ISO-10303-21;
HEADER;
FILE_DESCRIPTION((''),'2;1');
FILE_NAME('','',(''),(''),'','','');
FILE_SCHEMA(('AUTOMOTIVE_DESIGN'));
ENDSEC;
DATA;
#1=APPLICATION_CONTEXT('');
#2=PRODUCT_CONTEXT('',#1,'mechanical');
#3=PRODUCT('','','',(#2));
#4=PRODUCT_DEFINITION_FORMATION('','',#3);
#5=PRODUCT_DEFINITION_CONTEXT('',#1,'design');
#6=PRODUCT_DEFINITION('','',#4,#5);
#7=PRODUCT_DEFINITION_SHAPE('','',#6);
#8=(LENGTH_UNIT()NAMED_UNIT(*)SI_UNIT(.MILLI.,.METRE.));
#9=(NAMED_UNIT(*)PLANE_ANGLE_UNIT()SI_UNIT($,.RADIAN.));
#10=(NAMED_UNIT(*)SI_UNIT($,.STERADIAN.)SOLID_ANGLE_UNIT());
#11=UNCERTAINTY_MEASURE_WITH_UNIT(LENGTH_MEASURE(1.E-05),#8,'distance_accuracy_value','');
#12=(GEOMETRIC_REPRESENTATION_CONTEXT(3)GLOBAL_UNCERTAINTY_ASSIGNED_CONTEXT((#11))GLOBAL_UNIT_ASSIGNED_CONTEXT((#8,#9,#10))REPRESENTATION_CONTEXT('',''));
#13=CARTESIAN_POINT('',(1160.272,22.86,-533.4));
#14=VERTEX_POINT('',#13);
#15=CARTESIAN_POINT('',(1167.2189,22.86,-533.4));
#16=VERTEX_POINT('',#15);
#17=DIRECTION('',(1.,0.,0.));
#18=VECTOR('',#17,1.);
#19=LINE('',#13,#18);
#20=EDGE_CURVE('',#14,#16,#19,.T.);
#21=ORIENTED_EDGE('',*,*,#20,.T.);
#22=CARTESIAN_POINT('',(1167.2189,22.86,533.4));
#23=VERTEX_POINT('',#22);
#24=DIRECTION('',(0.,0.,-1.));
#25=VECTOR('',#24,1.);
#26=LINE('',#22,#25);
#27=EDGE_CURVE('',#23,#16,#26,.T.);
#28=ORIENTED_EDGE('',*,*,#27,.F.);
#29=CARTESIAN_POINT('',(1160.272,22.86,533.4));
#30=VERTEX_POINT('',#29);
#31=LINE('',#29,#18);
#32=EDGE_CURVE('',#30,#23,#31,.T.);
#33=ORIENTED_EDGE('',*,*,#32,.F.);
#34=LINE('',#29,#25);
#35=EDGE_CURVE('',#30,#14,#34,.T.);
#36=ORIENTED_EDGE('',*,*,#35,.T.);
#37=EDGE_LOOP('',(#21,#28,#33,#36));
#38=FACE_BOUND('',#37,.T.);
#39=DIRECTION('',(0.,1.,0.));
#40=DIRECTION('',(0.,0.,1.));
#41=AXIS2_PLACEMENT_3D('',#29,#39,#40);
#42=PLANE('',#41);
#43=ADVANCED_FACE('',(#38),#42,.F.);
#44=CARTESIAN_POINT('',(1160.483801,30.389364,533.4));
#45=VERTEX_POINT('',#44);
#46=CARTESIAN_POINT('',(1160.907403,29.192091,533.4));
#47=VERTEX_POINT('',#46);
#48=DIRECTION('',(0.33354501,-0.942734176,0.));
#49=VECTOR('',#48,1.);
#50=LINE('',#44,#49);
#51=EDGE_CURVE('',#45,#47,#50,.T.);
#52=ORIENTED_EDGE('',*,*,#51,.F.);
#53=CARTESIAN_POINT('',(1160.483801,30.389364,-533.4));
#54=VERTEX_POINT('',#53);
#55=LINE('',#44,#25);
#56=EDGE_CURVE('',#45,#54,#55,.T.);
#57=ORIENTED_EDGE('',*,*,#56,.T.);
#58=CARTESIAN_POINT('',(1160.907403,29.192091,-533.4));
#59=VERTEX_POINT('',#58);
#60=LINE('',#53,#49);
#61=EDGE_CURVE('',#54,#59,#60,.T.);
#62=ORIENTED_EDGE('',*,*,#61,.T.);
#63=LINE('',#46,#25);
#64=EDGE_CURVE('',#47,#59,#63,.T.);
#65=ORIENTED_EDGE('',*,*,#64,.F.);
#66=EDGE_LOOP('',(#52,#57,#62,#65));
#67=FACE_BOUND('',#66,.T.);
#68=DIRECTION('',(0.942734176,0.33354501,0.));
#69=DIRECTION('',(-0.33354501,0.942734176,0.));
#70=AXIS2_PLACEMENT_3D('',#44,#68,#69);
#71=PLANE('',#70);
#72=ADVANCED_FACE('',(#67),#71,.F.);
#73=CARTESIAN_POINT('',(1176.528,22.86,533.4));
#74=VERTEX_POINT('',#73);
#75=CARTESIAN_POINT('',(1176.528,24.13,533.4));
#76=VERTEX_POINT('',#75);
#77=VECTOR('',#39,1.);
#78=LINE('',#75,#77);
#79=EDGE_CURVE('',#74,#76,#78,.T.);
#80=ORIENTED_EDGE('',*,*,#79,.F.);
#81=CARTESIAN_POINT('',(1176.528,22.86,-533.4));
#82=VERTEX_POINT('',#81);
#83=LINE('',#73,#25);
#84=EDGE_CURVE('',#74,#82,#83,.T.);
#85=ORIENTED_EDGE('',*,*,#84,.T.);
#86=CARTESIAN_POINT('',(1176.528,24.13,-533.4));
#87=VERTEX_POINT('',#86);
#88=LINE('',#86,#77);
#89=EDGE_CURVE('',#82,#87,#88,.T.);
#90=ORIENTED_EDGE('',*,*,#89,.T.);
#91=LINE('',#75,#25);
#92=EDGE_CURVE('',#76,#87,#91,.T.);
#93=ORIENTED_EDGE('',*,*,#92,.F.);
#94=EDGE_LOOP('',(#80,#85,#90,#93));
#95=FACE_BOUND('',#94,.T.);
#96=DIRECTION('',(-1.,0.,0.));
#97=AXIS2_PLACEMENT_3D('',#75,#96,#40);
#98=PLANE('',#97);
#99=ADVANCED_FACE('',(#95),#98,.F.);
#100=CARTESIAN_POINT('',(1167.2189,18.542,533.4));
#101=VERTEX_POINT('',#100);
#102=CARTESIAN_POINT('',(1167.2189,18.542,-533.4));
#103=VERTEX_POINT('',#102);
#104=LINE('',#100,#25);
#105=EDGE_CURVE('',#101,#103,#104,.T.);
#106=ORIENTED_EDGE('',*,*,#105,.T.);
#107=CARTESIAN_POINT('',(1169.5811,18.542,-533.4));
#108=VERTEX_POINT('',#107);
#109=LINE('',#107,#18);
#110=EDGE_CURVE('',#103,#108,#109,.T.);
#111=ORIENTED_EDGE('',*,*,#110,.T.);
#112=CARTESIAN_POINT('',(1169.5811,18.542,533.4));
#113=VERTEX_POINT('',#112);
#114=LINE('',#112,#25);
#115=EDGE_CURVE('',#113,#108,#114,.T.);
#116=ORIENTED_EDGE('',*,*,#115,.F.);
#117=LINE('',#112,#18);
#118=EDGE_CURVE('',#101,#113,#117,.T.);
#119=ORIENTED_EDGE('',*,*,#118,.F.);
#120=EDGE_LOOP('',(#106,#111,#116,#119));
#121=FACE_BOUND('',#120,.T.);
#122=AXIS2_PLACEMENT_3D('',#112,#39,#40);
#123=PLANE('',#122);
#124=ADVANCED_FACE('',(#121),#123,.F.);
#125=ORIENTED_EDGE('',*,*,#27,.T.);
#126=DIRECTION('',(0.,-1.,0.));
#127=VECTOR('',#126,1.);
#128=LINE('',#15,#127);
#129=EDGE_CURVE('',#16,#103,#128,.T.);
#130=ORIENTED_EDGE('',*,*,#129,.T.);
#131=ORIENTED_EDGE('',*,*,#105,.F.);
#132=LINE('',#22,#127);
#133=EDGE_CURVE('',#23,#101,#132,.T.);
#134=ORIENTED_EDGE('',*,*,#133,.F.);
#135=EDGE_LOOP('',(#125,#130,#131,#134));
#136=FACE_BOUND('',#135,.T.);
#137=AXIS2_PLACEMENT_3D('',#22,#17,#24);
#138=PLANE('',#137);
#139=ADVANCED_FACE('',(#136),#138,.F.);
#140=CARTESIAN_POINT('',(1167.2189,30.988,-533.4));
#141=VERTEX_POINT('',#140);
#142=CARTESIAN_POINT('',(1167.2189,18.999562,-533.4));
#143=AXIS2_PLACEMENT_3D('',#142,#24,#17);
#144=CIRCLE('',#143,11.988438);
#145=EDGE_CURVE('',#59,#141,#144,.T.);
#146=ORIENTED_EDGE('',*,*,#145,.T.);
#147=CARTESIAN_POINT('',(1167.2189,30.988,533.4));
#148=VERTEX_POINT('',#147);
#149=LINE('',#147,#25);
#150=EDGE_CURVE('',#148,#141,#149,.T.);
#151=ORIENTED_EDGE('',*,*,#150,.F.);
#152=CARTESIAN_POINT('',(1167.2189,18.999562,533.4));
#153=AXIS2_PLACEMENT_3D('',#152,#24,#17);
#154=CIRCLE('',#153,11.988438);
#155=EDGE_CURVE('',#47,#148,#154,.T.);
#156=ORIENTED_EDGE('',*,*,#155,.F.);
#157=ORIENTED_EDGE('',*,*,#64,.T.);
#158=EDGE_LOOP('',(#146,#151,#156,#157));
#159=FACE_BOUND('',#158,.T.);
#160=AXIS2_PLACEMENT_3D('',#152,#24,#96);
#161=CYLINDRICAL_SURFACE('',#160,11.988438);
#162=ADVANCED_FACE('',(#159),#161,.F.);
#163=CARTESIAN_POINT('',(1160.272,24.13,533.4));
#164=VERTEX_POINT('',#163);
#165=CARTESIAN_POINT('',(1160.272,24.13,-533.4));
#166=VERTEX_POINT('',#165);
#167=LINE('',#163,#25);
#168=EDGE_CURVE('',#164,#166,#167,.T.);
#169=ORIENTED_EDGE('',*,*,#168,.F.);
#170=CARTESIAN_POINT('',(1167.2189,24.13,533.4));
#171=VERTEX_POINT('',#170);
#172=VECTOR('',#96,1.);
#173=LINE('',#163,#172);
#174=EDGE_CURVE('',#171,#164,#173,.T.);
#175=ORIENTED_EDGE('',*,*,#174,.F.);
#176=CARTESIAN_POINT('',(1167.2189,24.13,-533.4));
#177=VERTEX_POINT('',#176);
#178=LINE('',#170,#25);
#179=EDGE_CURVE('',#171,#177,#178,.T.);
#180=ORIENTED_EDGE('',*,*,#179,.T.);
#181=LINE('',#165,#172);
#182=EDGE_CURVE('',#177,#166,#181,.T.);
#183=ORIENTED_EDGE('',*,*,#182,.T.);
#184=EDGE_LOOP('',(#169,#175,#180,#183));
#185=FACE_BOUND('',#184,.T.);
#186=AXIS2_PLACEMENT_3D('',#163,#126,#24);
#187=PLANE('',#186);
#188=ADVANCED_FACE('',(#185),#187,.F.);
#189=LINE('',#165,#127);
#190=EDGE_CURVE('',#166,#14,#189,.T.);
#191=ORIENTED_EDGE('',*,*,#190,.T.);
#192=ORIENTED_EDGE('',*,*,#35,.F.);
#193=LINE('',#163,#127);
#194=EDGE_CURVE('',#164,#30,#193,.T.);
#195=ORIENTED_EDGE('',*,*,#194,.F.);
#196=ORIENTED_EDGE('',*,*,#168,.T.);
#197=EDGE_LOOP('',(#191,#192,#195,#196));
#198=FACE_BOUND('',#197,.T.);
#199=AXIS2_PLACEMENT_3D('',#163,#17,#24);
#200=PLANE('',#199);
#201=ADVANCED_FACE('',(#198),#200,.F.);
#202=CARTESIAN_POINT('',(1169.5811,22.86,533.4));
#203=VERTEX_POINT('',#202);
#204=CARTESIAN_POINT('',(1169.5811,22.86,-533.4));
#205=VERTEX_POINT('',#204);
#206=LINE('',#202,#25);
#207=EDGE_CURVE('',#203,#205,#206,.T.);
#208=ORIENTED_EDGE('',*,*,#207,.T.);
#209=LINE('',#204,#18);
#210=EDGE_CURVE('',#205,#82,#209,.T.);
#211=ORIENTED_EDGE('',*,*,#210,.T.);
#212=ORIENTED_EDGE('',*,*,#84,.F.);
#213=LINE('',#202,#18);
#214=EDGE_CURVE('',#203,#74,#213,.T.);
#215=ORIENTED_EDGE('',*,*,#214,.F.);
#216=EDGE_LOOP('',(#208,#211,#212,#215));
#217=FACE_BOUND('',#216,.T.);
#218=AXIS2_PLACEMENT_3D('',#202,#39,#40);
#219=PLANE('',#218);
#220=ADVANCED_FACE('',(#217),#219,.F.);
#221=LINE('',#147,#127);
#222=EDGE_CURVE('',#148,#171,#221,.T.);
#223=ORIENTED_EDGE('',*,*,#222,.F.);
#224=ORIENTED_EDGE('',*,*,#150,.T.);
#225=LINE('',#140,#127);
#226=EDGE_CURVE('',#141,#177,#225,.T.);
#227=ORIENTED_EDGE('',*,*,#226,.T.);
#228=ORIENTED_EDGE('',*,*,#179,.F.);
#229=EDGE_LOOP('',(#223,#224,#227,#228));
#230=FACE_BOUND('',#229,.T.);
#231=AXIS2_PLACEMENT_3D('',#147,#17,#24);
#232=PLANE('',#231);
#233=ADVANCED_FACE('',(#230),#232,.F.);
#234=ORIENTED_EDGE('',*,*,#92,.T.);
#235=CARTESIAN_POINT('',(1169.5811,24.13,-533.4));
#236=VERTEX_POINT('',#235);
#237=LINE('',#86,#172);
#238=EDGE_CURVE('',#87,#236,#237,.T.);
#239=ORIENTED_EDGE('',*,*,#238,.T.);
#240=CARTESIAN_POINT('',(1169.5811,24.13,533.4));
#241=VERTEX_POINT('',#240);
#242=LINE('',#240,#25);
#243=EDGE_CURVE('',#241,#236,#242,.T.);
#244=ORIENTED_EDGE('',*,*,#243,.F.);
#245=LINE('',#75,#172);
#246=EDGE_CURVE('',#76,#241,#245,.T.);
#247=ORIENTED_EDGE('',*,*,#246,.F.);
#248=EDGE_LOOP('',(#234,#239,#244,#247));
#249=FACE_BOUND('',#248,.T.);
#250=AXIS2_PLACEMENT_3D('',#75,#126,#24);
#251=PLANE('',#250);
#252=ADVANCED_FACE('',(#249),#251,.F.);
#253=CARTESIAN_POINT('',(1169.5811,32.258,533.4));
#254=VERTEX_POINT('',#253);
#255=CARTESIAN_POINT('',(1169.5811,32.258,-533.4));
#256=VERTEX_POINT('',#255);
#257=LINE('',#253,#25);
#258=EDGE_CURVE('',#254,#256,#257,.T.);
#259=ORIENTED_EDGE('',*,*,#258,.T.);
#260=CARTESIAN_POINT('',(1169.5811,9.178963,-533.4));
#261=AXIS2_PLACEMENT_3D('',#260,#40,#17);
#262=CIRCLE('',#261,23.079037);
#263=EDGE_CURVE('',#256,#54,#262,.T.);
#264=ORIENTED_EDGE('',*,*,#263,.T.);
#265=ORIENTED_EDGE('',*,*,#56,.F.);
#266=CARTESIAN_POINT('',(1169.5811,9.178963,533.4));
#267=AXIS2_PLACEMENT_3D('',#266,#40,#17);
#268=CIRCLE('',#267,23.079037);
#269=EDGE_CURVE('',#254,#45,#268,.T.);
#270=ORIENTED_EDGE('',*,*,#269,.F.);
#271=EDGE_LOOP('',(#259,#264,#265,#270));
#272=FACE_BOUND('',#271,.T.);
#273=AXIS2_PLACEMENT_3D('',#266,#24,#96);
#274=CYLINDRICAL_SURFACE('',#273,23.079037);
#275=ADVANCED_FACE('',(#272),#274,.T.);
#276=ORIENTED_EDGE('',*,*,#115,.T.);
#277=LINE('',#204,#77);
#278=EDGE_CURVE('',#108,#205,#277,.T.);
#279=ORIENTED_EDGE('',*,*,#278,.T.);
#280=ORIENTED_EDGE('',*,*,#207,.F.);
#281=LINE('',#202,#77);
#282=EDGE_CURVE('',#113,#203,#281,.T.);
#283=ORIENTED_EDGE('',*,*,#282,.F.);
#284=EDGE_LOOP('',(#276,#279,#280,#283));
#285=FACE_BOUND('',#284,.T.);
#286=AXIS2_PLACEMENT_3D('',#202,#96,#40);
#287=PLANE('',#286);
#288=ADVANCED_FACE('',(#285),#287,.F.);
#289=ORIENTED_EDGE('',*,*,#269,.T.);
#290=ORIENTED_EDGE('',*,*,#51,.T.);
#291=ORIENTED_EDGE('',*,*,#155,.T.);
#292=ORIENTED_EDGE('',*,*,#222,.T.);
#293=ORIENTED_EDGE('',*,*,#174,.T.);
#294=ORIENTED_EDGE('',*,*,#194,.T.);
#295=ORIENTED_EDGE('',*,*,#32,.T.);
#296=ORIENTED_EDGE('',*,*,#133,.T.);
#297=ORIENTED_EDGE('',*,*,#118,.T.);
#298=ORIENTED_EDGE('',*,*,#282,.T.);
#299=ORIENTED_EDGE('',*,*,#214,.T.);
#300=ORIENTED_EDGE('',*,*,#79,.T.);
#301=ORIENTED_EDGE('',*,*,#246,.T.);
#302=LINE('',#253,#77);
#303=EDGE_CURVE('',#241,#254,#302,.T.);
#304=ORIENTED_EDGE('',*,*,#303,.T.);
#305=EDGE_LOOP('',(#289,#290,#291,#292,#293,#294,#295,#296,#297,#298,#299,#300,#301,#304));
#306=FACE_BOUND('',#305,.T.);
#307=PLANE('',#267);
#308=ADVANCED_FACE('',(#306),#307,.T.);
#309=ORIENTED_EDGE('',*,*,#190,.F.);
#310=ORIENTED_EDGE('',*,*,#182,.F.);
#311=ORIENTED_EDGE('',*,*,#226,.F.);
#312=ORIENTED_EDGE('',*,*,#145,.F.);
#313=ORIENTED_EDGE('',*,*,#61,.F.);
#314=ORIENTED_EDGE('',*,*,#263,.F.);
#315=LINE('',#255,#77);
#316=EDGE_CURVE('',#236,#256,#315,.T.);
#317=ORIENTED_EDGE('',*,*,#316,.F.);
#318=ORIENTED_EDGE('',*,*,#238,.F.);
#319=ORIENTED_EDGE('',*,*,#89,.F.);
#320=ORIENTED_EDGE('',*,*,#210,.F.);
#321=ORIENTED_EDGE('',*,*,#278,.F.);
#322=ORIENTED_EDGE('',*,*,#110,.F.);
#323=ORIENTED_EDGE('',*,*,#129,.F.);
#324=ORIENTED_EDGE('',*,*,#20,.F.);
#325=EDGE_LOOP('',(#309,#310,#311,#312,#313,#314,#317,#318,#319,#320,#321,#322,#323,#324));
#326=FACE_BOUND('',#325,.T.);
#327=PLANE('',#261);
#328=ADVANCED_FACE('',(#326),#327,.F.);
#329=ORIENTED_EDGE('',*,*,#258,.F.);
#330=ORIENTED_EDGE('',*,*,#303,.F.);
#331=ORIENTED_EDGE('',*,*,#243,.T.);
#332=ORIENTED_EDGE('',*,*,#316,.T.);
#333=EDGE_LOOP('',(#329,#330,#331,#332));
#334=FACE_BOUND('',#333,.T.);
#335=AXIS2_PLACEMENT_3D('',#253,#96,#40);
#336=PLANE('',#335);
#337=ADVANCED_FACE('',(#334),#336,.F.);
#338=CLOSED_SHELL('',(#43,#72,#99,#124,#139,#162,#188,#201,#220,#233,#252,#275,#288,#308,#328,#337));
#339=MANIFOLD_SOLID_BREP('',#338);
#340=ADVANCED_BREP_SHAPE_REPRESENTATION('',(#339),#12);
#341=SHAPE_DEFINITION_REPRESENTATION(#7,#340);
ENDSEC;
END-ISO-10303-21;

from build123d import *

# Parameters (mm, degrees)
EXTRUDE1_DEPTH = 533.4


with BuildPart() as part:
    # Sketch1 → Extrude1 (new body, symmetric)
    with BuildSketch(Plane.XY):
        with BuildLine():
            Line((1169.5811, 22.86), (1169.5811, 18.542))
            Line((1169.5811, 18.542), (1167.2189, 18.542))
            Line((1167.2189, 18.542), (1167.2189, 22.86))
            Line((1167.2189, 22.86), (1160.272, 22.86))
            Line((1160.272, 22.86), (1160.272, 24.13))
            Line((1160.272, 24.13), (1167.2189, 24.13))
            Line((1167.2189, 24.13), (1167.2189, 30.988))
            ThreePointArc((1167.2189, 30.988), (1163.937883426, 30.530285143), (1160.907403243, 29.192091395))
            Line((1160.907403243, 29.192091395), (1160.483801081, 30.389363798))
            ThreePointArc((1160.483801081, 30.389363798), (1164.93748479, 31.786014706), (1169.5811, 32.258))
            Line((1169.5811, 32.258), (1169.5811, 24.13))
            Line((1169.5811, 24.13), (1176.528, 24.13))
            Line((1176.528, 24.13), (1176.528, 22.86))
            Line((1176.528, 22.86), (1169.5811, 22.86))
        make_face()
    extrude(amount=EXTRUDE1_DEPTH, both=True)


solid = part.part
